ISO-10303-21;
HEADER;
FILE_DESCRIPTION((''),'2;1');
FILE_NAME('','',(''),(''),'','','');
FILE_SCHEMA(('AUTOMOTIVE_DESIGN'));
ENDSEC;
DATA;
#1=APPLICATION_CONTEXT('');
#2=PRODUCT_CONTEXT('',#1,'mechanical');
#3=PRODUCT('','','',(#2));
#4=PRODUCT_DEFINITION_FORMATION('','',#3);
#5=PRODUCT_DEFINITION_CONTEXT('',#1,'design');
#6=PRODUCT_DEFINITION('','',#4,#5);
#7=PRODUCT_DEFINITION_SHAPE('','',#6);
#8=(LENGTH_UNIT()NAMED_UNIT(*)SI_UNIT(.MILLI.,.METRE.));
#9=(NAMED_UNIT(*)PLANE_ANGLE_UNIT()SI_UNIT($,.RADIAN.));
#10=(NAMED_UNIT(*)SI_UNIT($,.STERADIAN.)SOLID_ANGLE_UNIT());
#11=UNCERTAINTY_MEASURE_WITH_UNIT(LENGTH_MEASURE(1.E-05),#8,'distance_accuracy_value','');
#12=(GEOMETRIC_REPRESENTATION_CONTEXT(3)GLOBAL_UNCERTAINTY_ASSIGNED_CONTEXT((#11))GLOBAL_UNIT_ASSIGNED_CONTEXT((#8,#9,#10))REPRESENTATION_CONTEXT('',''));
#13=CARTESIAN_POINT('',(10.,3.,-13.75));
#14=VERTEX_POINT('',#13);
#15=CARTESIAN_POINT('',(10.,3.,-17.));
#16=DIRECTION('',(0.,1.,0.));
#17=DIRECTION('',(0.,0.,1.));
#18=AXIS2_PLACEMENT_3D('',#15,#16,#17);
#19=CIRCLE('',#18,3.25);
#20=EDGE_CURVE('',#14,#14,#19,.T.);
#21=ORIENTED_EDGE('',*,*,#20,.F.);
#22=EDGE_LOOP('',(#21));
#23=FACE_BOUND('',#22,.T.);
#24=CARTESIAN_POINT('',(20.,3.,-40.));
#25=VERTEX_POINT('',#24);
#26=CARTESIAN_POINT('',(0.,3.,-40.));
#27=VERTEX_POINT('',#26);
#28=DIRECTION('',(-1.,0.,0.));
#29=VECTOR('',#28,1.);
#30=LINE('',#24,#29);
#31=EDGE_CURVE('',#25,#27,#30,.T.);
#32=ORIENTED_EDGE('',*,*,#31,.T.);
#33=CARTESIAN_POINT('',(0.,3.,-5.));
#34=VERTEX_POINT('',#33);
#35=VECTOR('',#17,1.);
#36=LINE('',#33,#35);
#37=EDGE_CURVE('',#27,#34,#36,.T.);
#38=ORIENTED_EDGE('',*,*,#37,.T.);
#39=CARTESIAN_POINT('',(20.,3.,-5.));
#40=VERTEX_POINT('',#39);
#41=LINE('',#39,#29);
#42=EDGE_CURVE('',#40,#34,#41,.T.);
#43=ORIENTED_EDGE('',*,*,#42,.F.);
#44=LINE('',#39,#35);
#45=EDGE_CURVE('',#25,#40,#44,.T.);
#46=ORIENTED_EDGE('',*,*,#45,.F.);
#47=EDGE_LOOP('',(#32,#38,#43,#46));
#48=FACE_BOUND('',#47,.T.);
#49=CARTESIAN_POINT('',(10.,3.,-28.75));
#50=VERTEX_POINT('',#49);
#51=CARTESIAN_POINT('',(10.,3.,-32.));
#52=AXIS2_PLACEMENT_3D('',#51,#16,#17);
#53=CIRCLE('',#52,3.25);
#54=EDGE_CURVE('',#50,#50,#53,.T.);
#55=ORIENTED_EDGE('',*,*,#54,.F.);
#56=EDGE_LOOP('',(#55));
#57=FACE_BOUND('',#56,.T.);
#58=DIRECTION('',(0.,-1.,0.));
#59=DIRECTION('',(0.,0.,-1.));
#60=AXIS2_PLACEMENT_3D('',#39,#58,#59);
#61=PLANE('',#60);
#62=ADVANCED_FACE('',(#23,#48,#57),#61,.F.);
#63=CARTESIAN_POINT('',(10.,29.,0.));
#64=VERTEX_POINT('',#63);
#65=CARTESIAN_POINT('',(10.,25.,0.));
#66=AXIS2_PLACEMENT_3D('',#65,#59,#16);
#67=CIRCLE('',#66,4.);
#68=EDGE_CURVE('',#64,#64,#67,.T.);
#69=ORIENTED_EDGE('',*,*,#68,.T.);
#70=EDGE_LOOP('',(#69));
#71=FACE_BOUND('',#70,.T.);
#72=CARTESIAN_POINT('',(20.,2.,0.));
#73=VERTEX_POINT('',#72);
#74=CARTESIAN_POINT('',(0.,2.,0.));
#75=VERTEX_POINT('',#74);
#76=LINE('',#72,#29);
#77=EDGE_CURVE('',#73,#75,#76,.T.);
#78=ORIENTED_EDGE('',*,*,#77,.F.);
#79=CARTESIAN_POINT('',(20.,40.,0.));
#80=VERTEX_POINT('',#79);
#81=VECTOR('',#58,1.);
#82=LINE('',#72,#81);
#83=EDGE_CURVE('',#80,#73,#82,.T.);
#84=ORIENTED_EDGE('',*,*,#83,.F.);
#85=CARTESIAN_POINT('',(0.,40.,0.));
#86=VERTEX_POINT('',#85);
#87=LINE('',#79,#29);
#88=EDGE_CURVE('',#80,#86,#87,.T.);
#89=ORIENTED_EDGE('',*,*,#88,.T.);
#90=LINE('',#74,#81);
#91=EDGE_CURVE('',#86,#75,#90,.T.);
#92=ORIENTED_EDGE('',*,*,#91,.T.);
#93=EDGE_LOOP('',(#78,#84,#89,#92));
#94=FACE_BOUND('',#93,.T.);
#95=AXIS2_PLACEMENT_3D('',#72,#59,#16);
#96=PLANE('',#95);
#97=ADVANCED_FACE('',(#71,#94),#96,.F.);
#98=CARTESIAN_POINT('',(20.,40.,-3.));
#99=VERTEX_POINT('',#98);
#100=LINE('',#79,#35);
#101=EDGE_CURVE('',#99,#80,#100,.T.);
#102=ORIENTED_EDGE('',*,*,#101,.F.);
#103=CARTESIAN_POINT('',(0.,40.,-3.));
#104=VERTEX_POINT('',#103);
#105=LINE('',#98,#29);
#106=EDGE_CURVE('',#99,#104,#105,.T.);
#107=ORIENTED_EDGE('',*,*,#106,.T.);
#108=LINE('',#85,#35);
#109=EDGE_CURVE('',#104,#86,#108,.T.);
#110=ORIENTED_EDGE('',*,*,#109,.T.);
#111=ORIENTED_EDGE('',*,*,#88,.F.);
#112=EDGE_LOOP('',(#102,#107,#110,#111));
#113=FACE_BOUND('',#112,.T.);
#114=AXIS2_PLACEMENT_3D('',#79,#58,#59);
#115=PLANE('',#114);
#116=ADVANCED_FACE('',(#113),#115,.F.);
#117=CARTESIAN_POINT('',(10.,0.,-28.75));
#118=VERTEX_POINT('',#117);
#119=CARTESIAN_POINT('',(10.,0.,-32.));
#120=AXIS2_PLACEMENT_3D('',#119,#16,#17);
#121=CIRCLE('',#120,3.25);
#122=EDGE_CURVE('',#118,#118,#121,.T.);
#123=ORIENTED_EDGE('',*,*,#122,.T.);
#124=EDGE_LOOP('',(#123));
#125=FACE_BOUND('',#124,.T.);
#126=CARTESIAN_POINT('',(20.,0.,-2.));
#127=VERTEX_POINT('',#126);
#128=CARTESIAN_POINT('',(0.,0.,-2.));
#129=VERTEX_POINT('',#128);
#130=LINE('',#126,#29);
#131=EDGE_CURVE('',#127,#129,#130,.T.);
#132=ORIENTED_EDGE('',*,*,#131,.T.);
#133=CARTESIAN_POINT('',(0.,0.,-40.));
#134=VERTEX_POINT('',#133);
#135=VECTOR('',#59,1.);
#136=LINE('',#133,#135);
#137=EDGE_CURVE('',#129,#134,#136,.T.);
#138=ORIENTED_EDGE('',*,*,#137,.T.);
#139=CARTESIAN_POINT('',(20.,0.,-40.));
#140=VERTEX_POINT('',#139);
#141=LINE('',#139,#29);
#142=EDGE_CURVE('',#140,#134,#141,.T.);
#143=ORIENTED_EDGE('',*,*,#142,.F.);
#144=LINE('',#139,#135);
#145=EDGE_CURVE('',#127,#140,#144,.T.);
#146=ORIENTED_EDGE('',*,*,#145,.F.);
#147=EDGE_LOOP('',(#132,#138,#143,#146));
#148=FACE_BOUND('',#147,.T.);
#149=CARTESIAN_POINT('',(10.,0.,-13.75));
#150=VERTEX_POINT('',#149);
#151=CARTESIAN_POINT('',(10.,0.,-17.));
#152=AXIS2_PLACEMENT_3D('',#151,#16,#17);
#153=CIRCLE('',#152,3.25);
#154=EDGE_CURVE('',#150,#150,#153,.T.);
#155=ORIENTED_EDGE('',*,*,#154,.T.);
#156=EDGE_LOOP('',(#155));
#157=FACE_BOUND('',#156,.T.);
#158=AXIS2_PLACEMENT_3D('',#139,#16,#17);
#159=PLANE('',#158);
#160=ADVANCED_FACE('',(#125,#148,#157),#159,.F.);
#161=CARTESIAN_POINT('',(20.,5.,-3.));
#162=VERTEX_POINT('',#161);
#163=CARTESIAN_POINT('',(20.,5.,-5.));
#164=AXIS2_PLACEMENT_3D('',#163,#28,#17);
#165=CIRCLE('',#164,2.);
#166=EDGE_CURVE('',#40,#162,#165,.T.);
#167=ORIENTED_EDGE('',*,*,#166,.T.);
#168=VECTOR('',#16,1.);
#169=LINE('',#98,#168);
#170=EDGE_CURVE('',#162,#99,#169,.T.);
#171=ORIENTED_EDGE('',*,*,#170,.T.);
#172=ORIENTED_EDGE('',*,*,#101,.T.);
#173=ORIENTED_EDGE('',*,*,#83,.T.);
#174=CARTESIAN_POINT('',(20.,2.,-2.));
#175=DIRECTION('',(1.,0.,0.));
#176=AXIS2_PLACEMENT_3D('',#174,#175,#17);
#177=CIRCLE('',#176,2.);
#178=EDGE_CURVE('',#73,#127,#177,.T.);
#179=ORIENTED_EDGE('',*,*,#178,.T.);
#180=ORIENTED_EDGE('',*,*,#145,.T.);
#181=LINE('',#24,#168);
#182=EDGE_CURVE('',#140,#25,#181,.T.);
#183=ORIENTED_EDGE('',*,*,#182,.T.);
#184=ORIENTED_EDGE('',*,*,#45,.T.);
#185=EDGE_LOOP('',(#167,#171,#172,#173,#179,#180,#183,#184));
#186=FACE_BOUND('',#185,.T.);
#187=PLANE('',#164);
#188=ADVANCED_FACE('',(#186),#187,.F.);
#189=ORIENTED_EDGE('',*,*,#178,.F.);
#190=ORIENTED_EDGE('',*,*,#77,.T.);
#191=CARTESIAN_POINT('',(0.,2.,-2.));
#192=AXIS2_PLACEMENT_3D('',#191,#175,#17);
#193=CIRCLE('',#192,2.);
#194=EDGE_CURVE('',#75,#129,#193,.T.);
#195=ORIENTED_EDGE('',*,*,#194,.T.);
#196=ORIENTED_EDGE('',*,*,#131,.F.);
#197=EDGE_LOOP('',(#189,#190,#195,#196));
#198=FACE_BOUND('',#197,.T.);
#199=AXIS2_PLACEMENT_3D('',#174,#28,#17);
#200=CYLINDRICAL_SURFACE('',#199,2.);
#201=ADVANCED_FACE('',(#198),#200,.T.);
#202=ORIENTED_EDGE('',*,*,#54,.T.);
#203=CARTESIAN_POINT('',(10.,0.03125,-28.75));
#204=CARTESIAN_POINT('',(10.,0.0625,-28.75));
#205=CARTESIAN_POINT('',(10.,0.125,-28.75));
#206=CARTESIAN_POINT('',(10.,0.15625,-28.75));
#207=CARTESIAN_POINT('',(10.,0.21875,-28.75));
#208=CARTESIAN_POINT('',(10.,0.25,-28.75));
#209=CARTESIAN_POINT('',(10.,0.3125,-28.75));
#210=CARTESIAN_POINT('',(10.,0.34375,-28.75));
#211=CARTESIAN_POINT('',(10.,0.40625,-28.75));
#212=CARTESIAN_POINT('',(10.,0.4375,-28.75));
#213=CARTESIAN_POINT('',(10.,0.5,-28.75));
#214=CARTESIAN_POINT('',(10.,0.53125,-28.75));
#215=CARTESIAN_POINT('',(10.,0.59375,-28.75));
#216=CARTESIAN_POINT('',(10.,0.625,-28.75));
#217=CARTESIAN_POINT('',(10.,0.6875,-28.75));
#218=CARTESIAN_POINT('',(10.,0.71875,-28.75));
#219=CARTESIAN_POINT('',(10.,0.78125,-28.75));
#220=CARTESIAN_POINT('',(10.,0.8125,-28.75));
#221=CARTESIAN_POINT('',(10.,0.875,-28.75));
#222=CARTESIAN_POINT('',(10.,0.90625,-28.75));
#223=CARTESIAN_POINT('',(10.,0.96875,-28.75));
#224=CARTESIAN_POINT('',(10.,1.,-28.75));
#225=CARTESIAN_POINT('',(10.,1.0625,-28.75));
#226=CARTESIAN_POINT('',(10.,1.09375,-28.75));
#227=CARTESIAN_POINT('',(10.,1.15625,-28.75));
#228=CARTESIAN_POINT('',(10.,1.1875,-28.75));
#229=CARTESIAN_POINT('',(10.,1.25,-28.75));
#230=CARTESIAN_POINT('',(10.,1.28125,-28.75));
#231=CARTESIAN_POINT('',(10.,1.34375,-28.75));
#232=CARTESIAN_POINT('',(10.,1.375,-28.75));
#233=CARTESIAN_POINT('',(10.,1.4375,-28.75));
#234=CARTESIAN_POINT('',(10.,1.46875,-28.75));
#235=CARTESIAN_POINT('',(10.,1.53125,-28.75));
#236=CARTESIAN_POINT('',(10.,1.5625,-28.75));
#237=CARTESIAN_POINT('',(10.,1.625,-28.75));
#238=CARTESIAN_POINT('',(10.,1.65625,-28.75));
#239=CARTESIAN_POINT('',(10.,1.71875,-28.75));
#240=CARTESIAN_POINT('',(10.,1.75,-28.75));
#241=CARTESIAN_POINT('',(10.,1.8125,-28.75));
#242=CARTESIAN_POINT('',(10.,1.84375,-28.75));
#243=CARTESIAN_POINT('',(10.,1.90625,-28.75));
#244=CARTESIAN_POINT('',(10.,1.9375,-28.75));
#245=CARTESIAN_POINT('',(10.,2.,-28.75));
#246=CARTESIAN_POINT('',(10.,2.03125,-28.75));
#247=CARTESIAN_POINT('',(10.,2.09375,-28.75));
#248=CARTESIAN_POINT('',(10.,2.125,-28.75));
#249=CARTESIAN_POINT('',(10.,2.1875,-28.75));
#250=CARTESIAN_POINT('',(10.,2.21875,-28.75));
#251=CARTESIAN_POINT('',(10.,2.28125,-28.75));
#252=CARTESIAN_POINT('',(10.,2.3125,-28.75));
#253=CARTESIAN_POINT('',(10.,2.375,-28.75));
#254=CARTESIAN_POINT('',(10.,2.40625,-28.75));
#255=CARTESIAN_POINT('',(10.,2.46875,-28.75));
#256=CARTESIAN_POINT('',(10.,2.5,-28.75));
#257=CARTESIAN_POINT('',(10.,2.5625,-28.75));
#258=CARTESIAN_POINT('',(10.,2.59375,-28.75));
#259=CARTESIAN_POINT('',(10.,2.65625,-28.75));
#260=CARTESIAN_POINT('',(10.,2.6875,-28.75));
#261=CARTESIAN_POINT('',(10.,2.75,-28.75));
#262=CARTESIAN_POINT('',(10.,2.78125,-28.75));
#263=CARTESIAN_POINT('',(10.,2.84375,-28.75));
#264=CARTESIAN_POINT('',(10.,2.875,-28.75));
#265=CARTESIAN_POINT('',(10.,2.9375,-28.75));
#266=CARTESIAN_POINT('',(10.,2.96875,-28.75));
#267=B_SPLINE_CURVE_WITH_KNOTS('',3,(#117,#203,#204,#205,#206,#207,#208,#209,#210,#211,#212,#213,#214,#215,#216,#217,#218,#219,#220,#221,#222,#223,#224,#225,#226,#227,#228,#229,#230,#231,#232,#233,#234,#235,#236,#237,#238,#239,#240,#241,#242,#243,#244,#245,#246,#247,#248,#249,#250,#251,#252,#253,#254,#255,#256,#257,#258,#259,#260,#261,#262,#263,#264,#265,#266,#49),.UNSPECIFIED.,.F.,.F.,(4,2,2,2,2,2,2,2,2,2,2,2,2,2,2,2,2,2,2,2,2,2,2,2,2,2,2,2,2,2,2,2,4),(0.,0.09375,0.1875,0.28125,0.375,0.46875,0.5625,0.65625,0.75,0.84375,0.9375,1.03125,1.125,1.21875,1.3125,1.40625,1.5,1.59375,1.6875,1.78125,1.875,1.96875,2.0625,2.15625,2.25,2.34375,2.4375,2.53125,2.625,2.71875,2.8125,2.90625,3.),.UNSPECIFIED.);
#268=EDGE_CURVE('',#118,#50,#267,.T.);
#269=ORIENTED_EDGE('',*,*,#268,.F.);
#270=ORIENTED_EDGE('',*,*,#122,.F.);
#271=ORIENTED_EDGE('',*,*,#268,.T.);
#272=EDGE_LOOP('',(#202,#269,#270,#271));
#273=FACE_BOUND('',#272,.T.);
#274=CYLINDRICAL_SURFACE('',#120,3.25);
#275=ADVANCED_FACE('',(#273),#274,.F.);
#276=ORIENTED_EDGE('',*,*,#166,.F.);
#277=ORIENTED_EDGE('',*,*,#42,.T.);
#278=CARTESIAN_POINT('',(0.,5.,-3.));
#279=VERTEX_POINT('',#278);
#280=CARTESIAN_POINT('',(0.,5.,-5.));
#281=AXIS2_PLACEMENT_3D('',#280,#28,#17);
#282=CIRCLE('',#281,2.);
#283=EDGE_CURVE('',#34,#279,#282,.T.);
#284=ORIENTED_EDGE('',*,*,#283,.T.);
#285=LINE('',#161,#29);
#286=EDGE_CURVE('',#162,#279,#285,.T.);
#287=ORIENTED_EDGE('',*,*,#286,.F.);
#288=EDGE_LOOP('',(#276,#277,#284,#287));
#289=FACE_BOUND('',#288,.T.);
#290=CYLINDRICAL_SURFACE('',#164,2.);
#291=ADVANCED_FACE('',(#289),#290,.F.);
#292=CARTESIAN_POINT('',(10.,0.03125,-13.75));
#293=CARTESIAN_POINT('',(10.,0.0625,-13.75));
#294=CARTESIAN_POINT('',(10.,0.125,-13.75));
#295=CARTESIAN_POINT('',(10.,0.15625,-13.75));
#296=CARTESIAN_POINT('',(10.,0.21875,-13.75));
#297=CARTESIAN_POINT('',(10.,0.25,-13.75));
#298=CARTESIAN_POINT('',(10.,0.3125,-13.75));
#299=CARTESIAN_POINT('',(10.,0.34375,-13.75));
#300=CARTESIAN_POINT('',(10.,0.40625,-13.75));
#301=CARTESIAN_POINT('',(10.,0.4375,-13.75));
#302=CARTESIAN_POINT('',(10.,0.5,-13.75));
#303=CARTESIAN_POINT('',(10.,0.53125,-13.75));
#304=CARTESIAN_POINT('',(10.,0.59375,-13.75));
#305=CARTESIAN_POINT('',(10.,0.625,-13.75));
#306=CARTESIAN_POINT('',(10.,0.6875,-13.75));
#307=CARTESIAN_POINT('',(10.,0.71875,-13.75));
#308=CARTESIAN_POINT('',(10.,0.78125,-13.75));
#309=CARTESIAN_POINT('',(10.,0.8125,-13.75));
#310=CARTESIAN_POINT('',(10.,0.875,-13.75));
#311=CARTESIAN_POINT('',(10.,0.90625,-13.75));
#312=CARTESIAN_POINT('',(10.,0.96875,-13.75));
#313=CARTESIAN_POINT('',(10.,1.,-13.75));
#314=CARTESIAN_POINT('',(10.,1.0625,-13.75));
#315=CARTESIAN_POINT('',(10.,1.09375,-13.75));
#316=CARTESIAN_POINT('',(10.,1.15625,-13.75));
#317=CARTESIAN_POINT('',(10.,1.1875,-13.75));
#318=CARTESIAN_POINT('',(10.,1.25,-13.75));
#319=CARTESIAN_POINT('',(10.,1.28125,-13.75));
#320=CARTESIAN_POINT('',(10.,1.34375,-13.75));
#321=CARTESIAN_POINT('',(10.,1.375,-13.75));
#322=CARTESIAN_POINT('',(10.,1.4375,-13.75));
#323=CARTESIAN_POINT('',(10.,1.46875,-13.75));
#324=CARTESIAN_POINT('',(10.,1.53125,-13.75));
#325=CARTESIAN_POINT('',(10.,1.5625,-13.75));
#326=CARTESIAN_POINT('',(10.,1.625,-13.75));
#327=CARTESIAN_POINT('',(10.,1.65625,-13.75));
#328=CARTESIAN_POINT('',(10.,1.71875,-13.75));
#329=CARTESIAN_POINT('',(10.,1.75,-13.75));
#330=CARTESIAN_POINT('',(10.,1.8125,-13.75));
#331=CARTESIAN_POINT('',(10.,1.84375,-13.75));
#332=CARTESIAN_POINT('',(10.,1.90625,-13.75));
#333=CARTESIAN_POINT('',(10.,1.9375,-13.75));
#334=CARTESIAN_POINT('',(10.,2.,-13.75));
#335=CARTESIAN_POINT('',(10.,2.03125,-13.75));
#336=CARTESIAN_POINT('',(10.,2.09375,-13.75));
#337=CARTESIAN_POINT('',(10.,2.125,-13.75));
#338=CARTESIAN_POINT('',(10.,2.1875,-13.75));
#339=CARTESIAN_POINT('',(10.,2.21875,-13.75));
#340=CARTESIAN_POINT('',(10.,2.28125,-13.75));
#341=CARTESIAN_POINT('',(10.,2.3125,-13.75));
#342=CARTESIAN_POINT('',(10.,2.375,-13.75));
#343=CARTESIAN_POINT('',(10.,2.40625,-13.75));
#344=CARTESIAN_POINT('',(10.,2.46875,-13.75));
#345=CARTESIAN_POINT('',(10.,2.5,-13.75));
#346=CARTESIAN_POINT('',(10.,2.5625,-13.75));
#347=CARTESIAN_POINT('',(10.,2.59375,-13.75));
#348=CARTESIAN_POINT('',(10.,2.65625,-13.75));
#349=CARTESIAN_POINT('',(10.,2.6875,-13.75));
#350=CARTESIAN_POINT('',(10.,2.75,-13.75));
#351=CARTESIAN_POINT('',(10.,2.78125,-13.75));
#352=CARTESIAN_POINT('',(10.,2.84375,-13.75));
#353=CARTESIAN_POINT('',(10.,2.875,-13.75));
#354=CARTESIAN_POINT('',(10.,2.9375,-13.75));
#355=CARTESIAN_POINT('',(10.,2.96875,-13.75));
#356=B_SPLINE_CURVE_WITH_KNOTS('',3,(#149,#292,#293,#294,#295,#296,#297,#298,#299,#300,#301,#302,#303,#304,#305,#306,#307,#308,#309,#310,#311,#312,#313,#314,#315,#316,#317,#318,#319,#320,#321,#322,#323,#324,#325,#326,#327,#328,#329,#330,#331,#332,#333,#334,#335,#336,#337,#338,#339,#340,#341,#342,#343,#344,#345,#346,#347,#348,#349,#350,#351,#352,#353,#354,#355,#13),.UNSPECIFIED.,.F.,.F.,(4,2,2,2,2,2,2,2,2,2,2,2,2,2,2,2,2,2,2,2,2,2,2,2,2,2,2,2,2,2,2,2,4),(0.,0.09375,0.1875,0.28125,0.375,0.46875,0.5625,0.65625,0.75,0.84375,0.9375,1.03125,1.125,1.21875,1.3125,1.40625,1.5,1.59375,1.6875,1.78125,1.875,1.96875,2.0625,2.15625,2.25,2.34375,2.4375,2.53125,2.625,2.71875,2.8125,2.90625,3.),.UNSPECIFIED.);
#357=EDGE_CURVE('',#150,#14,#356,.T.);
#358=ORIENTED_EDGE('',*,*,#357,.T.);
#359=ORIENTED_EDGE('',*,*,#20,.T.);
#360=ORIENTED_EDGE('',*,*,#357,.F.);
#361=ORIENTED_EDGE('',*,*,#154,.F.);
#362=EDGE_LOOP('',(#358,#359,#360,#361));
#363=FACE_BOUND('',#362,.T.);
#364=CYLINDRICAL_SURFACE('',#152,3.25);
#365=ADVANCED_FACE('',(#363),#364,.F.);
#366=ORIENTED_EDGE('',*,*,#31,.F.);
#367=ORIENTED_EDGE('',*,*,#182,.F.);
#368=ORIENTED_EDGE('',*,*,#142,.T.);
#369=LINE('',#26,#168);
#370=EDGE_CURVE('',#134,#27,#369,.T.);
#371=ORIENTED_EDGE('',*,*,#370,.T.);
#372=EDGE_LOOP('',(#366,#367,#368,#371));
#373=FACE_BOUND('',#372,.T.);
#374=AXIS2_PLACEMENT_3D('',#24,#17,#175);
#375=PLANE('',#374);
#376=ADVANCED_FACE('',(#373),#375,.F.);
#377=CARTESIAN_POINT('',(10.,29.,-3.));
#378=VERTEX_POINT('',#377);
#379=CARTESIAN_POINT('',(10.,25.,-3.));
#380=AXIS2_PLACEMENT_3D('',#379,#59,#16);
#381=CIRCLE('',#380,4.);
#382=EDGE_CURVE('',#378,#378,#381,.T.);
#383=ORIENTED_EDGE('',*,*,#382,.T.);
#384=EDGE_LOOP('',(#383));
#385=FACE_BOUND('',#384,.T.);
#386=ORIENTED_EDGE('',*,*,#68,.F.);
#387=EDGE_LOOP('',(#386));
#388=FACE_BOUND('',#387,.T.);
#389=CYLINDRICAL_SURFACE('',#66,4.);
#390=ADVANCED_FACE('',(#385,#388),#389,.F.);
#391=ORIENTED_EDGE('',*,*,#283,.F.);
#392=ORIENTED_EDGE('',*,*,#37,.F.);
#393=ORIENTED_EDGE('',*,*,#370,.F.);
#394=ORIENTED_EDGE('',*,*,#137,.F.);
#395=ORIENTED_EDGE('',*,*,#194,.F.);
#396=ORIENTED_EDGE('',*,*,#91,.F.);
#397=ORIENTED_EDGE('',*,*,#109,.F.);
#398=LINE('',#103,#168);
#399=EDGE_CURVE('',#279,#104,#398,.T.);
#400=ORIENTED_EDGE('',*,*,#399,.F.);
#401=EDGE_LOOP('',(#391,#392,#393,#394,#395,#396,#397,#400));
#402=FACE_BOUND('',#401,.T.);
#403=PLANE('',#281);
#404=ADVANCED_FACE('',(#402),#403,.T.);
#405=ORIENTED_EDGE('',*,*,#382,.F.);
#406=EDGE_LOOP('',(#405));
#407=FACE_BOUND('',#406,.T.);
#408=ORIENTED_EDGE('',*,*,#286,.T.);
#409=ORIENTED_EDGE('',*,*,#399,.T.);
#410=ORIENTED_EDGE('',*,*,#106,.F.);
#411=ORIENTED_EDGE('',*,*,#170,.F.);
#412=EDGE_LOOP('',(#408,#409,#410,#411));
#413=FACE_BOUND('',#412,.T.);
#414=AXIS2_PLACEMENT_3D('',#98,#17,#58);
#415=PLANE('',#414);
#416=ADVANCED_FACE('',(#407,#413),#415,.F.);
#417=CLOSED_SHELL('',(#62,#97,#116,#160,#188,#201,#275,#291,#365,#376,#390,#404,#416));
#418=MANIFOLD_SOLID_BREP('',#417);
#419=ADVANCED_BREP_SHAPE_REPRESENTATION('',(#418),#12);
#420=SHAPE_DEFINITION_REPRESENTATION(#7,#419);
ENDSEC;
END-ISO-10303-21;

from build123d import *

# Parameters (mm, degrees)
BOSS_EXTRUDE1_DEPTH = 20
SKETCH3_R           = 4
CUT_EXTRUDE1_DEPTH  = 59.043087444
SKETCH4_R           = 3.25
CUT_EXTRUDE2_DEPTH  = 59.043087444


with BuildPart() as part:
    # Sketch1 → Boss-Extrude1 (new body)
    with BuildSketch(Plane(origin=(0, 0, 0), x_dir=(0, 0, -1), z_dir=(1, 0, 0))):
        with BuildLine():
            Line((0, 2), (0, 40))
            Line((0, 40), (3, 40))
            Line((3, 40), (3, 5))
            ThreePointArc((3, 5), (3.585786438, 3.585786438), (5, 3))
            Line((5, 3), (40, 3))
            Line((40, 3), (40, 0))
            Line((40, 0), (2, 0))
            ThreePointArc((2, 0), (0.585786438, 0.585786438), (0, 2))
        make_face()
    extrude(amount=BOSS_EXTRUDE1_DEPTH)

    # Sketch3 → Cut-Extrude1 (cut, through all)
    with BuildSketch(Plane(origin=(0, 0, -3), x_dir=(-1, 0, 0), z_dir=(0, 0, -1))):
        with Locations(Location((-10, 25, 0), (0, 0, 90))):
            Circle(SKETCH3_R)
    extrude(amount=-CUT_EXTRUDE1_DEPTH, mode=Mode.SUBTRACT)

    # Sketch4 → Cut-Extrude2 (cut, through all)
    with BuildSketch(Plane(origin=(0, 3, 0), x_dir=(1, 0, 0), z_dir=(0, 1, 0))):
        with Locations(Location((10, 32, 0), (0, 0, 270))):
            Circle(SKETCH4_R)
        with Locations(Location((10, 17, 0), (0, 0, 270))):
            Circle(SKETCH4_R)
    extrude(amount=-CUT_EXTRUDE2_DEPTH, mode=Mode.SUBTRACT)


solid = part.part
